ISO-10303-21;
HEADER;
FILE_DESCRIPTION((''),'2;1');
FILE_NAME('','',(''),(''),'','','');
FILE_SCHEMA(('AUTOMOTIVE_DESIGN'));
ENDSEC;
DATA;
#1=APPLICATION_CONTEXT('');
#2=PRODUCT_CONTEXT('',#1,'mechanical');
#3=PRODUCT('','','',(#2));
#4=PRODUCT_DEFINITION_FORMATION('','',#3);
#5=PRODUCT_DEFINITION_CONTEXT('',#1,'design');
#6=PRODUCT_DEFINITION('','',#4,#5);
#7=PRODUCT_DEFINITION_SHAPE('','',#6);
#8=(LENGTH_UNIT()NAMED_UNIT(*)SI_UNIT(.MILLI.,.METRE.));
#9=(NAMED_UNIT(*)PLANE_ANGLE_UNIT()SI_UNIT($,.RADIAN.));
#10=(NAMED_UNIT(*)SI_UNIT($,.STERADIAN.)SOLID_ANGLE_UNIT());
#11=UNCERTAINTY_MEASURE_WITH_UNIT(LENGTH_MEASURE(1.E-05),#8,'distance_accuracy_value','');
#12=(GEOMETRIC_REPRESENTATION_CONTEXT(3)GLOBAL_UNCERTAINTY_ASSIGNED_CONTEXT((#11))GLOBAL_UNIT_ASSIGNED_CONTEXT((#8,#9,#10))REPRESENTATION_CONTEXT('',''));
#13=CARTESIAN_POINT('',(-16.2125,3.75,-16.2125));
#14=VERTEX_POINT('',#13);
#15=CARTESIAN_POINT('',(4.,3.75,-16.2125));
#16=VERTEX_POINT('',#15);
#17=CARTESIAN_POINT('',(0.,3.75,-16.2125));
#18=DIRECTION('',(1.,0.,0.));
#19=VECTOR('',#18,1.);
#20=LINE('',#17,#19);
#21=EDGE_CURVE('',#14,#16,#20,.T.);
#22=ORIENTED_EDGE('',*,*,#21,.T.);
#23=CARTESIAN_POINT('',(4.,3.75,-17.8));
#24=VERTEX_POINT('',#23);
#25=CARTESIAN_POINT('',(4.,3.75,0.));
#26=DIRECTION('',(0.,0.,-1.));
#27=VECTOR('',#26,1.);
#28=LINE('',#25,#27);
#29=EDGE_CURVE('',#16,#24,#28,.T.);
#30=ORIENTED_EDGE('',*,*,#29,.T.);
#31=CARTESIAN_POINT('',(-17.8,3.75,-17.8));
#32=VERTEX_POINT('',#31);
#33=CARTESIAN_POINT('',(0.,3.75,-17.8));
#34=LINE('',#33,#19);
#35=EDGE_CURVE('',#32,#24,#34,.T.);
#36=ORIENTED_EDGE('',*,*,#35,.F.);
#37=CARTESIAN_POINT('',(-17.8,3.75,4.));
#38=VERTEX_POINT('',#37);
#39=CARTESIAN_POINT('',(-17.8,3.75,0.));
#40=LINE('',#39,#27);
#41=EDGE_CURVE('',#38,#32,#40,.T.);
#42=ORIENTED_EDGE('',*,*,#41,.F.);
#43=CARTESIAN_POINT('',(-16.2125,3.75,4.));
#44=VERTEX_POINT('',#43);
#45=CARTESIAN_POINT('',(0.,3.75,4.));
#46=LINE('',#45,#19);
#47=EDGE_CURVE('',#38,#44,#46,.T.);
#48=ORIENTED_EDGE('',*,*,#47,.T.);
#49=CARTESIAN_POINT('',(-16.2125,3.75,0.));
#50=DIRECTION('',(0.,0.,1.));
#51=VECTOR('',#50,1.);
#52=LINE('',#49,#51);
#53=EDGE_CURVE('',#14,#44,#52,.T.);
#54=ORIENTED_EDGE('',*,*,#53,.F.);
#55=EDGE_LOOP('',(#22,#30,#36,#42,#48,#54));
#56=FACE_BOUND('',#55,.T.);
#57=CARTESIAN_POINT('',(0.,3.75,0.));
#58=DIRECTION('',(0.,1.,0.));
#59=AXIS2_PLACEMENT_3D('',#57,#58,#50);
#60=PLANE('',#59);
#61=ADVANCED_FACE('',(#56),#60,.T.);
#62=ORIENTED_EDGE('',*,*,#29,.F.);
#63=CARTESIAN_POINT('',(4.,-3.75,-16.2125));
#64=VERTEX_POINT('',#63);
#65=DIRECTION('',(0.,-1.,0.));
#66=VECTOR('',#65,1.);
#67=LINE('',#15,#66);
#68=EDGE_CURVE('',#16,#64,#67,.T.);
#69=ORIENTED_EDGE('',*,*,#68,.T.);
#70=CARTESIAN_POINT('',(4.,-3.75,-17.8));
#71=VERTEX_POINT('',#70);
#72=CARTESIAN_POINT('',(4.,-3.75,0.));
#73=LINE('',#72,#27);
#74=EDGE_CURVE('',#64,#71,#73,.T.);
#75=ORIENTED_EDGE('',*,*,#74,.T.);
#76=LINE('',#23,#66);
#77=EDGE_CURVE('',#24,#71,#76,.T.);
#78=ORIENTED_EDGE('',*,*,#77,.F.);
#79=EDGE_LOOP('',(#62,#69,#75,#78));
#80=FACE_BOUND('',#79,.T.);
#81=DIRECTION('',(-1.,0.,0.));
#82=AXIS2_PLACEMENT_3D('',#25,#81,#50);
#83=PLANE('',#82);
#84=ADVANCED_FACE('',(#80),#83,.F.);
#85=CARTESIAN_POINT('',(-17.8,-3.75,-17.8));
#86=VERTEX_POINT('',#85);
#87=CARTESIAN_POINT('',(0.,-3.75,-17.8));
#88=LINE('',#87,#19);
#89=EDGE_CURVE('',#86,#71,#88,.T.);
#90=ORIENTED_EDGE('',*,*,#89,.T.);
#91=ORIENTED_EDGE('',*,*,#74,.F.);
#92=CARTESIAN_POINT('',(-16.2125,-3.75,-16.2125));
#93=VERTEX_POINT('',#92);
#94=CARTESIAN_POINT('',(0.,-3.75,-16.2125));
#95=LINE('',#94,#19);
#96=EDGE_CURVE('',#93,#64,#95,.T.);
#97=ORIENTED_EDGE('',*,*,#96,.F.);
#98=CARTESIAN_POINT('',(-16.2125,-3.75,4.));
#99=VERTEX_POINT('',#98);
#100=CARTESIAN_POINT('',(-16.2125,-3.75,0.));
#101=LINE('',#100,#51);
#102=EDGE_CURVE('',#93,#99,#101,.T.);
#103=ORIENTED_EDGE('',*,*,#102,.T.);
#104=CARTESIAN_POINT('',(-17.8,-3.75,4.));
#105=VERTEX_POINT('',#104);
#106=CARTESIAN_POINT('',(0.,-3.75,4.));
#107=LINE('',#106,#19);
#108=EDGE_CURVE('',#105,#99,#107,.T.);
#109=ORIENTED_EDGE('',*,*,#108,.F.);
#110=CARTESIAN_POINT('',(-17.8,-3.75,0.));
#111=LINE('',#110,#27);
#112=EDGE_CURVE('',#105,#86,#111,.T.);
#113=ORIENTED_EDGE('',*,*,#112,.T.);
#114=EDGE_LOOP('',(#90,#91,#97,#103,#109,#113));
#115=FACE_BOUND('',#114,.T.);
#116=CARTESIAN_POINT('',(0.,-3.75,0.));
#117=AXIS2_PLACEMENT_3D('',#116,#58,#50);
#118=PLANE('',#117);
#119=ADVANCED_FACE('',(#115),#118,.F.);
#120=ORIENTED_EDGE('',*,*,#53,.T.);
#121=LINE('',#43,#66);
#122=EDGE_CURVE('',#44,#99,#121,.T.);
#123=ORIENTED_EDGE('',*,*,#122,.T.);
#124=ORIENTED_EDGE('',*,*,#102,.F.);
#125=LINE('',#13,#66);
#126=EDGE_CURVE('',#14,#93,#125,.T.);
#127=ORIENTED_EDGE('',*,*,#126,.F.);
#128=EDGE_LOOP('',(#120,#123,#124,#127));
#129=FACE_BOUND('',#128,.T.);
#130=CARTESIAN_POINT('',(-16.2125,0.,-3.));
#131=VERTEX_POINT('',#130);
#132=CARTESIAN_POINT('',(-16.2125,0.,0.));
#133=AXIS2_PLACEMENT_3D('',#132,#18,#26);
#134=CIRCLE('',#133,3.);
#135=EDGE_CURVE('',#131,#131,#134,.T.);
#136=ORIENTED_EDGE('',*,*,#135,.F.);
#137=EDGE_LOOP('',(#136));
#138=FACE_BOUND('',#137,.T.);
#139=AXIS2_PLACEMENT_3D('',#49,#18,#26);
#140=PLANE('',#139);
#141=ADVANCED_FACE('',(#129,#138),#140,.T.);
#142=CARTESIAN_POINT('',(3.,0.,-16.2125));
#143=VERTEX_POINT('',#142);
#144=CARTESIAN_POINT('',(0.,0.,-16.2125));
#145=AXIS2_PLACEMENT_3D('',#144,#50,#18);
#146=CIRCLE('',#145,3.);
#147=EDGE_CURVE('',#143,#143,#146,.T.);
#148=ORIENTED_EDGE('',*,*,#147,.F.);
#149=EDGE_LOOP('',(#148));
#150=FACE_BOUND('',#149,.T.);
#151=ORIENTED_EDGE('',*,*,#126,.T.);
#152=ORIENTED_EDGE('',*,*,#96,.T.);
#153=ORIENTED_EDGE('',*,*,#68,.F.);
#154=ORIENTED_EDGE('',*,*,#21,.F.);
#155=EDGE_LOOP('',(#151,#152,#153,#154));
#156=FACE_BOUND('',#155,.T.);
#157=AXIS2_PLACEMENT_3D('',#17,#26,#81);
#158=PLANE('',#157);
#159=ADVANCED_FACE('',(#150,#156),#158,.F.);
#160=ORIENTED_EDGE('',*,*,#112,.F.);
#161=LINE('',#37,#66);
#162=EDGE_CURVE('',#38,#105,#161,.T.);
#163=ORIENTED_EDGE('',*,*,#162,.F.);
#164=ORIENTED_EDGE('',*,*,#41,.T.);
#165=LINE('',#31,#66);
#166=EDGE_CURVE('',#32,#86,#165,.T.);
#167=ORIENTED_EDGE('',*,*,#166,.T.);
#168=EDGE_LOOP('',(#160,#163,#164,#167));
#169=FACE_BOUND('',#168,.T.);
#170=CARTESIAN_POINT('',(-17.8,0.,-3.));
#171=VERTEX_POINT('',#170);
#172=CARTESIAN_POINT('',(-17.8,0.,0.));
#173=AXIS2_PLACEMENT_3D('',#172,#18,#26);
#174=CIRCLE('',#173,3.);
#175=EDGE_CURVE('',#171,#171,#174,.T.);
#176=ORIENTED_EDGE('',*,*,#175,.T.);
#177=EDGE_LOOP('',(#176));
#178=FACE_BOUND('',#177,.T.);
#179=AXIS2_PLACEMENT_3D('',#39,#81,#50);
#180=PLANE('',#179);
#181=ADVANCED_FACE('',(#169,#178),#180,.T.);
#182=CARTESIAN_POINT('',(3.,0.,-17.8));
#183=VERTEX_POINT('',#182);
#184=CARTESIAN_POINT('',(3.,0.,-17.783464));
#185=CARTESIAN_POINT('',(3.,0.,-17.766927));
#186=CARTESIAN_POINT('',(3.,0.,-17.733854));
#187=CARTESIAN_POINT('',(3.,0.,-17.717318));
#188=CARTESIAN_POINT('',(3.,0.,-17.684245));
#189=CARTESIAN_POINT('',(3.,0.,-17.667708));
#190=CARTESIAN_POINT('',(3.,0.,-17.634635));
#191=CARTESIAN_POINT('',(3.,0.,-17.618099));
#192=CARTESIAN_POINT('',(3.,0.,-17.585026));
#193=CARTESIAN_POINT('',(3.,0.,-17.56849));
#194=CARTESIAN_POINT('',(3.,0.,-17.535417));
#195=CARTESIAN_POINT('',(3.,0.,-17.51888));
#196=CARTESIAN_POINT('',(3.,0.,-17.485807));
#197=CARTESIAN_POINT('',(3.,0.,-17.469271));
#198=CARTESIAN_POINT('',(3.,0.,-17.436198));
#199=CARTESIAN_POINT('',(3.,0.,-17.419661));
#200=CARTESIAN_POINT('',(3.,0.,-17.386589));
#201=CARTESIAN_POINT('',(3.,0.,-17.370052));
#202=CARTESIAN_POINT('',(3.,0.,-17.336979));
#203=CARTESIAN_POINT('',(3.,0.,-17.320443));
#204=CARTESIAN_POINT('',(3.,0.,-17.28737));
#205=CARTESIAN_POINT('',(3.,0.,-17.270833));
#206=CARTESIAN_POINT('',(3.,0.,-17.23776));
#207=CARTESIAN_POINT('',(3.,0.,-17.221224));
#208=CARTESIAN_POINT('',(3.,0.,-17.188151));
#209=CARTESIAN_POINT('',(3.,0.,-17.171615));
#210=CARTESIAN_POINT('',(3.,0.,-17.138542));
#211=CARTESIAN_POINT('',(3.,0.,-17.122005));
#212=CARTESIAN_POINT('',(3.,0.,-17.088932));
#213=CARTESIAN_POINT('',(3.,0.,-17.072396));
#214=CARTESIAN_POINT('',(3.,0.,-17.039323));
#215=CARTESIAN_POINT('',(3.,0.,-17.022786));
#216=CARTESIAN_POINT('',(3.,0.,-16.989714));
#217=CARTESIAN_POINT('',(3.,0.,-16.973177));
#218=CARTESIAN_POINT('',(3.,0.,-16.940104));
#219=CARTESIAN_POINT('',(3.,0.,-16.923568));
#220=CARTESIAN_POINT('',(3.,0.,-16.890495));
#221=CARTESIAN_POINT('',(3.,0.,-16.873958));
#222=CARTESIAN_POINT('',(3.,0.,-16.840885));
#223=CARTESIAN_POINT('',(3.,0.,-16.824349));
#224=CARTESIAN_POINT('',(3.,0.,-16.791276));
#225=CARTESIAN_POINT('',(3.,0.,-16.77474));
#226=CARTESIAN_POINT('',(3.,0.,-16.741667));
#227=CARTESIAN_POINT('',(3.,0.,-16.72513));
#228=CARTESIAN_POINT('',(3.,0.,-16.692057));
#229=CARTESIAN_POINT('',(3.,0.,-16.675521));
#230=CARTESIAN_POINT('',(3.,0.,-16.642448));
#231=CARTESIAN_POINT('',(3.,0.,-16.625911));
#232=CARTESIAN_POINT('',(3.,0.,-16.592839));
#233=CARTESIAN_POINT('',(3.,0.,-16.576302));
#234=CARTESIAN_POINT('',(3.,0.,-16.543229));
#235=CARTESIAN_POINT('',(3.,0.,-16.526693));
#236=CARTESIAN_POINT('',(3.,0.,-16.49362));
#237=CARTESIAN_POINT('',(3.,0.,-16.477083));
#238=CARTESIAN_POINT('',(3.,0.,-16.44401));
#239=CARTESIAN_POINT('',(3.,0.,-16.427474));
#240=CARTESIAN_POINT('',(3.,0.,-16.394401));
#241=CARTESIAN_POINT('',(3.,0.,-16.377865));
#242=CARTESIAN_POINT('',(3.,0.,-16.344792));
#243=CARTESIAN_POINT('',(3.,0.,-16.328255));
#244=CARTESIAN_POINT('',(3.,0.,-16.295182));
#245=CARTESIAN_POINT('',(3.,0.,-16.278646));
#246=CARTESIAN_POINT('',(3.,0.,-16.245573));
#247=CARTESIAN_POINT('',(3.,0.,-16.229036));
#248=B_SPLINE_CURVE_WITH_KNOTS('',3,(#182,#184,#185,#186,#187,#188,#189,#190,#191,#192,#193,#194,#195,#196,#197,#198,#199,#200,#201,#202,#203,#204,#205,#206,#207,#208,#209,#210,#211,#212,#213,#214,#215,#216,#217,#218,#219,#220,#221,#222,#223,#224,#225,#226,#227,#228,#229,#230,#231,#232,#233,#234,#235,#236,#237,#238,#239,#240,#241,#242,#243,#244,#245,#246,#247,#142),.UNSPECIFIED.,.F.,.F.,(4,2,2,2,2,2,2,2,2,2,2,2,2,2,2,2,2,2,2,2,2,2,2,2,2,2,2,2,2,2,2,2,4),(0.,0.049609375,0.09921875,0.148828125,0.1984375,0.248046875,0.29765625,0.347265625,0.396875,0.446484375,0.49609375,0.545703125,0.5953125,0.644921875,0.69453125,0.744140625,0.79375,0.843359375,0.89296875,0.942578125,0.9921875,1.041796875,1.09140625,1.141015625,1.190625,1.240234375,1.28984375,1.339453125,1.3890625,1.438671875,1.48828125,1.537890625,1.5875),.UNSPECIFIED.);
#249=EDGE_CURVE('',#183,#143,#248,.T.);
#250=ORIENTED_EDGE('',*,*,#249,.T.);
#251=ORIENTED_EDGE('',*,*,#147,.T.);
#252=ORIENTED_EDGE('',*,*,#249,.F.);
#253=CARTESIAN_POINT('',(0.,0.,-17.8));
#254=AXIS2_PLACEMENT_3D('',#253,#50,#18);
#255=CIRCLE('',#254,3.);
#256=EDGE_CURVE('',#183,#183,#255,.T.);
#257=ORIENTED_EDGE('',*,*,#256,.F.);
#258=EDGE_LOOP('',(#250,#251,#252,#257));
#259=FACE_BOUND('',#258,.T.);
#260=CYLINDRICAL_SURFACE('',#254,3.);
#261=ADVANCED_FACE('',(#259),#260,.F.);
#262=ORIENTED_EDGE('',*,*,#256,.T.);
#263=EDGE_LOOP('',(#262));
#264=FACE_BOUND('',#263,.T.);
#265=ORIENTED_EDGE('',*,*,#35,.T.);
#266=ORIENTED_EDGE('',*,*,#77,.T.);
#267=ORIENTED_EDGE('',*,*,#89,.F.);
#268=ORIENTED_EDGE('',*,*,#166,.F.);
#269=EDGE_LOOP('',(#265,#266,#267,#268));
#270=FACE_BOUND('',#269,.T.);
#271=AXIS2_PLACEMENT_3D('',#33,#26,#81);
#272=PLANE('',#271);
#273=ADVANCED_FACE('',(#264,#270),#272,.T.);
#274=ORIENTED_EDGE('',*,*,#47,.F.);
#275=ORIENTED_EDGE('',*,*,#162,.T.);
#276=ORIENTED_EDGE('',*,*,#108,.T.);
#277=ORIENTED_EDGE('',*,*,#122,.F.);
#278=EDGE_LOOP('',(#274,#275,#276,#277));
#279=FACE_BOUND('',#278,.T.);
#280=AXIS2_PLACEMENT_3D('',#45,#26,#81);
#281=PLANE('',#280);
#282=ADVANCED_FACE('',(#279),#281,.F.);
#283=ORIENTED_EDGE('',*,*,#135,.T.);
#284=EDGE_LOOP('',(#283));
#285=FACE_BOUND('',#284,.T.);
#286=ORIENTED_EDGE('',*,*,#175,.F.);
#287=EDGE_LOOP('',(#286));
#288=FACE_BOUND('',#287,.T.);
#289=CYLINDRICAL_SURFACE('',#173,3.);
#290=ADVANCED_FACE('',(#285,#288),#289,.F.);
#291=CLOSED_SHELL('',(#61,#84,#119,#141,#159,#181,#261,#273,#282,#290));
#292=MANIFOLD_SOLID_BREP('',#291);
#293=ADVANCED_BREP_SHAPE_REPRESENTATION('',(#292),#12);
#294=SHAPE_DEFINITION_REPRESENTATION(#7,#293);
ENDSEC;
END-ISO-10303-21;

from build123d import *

# Parameters (mm, degrees)
BOSS_EXTRUDE1_DEPTH = 3.75
SKETCH2_R           = 3
CUT_EXTRUDE1_DEPTH  = 28.192786842
SKETCH3_R           = 3
CUT_EXTRUDE2_DEPTH  = 28.192786842


with BuildPart() as part:
    # Sketch1 → Boss-Extrude1 (new, symmetric)
    with BuildSketch(Plane(origin=(0, 0, 0), x_dir=(1, 0, 0), z_dir=(0, 1, 0))):
        Polygon((-4, 16.2125), (4, 16.2125), (4, 17.8), (-4, 17.8), (-17.8, 17.8), (-17.8, 4), (-17.8, -4), (-16.2125, -4), (-16.2125, 4), (-16.2125, 16.2125), align=None)
    extrude(amount=BOSS_EXTRUDE1_DEPTH, both=True)

    # Sketch2 → Cut-Extrude1 (cut, through all)
    with BuildSketch(Plane.XY.offset(-16.2125)):
        Circle(SKETCH2_R)
    extrude(amount=-CUT_EXTRUDE1_DEPTH, mode=Mode.SUBTRACT)

    # Sketch3 → Cut-Extrude2 (cut, through all)
    with BuildSketch(Plane(origin=(-16.2125, 0, 0), x_dir=(0, 0, -1), z_dir=(1, 0, 0))):
        Circle(SKETCH3_R)
    extrude(amount=-CUT_EXTRUDE2_DEPTH, mode=Mode.SUBTRACT)


solid = part.part
